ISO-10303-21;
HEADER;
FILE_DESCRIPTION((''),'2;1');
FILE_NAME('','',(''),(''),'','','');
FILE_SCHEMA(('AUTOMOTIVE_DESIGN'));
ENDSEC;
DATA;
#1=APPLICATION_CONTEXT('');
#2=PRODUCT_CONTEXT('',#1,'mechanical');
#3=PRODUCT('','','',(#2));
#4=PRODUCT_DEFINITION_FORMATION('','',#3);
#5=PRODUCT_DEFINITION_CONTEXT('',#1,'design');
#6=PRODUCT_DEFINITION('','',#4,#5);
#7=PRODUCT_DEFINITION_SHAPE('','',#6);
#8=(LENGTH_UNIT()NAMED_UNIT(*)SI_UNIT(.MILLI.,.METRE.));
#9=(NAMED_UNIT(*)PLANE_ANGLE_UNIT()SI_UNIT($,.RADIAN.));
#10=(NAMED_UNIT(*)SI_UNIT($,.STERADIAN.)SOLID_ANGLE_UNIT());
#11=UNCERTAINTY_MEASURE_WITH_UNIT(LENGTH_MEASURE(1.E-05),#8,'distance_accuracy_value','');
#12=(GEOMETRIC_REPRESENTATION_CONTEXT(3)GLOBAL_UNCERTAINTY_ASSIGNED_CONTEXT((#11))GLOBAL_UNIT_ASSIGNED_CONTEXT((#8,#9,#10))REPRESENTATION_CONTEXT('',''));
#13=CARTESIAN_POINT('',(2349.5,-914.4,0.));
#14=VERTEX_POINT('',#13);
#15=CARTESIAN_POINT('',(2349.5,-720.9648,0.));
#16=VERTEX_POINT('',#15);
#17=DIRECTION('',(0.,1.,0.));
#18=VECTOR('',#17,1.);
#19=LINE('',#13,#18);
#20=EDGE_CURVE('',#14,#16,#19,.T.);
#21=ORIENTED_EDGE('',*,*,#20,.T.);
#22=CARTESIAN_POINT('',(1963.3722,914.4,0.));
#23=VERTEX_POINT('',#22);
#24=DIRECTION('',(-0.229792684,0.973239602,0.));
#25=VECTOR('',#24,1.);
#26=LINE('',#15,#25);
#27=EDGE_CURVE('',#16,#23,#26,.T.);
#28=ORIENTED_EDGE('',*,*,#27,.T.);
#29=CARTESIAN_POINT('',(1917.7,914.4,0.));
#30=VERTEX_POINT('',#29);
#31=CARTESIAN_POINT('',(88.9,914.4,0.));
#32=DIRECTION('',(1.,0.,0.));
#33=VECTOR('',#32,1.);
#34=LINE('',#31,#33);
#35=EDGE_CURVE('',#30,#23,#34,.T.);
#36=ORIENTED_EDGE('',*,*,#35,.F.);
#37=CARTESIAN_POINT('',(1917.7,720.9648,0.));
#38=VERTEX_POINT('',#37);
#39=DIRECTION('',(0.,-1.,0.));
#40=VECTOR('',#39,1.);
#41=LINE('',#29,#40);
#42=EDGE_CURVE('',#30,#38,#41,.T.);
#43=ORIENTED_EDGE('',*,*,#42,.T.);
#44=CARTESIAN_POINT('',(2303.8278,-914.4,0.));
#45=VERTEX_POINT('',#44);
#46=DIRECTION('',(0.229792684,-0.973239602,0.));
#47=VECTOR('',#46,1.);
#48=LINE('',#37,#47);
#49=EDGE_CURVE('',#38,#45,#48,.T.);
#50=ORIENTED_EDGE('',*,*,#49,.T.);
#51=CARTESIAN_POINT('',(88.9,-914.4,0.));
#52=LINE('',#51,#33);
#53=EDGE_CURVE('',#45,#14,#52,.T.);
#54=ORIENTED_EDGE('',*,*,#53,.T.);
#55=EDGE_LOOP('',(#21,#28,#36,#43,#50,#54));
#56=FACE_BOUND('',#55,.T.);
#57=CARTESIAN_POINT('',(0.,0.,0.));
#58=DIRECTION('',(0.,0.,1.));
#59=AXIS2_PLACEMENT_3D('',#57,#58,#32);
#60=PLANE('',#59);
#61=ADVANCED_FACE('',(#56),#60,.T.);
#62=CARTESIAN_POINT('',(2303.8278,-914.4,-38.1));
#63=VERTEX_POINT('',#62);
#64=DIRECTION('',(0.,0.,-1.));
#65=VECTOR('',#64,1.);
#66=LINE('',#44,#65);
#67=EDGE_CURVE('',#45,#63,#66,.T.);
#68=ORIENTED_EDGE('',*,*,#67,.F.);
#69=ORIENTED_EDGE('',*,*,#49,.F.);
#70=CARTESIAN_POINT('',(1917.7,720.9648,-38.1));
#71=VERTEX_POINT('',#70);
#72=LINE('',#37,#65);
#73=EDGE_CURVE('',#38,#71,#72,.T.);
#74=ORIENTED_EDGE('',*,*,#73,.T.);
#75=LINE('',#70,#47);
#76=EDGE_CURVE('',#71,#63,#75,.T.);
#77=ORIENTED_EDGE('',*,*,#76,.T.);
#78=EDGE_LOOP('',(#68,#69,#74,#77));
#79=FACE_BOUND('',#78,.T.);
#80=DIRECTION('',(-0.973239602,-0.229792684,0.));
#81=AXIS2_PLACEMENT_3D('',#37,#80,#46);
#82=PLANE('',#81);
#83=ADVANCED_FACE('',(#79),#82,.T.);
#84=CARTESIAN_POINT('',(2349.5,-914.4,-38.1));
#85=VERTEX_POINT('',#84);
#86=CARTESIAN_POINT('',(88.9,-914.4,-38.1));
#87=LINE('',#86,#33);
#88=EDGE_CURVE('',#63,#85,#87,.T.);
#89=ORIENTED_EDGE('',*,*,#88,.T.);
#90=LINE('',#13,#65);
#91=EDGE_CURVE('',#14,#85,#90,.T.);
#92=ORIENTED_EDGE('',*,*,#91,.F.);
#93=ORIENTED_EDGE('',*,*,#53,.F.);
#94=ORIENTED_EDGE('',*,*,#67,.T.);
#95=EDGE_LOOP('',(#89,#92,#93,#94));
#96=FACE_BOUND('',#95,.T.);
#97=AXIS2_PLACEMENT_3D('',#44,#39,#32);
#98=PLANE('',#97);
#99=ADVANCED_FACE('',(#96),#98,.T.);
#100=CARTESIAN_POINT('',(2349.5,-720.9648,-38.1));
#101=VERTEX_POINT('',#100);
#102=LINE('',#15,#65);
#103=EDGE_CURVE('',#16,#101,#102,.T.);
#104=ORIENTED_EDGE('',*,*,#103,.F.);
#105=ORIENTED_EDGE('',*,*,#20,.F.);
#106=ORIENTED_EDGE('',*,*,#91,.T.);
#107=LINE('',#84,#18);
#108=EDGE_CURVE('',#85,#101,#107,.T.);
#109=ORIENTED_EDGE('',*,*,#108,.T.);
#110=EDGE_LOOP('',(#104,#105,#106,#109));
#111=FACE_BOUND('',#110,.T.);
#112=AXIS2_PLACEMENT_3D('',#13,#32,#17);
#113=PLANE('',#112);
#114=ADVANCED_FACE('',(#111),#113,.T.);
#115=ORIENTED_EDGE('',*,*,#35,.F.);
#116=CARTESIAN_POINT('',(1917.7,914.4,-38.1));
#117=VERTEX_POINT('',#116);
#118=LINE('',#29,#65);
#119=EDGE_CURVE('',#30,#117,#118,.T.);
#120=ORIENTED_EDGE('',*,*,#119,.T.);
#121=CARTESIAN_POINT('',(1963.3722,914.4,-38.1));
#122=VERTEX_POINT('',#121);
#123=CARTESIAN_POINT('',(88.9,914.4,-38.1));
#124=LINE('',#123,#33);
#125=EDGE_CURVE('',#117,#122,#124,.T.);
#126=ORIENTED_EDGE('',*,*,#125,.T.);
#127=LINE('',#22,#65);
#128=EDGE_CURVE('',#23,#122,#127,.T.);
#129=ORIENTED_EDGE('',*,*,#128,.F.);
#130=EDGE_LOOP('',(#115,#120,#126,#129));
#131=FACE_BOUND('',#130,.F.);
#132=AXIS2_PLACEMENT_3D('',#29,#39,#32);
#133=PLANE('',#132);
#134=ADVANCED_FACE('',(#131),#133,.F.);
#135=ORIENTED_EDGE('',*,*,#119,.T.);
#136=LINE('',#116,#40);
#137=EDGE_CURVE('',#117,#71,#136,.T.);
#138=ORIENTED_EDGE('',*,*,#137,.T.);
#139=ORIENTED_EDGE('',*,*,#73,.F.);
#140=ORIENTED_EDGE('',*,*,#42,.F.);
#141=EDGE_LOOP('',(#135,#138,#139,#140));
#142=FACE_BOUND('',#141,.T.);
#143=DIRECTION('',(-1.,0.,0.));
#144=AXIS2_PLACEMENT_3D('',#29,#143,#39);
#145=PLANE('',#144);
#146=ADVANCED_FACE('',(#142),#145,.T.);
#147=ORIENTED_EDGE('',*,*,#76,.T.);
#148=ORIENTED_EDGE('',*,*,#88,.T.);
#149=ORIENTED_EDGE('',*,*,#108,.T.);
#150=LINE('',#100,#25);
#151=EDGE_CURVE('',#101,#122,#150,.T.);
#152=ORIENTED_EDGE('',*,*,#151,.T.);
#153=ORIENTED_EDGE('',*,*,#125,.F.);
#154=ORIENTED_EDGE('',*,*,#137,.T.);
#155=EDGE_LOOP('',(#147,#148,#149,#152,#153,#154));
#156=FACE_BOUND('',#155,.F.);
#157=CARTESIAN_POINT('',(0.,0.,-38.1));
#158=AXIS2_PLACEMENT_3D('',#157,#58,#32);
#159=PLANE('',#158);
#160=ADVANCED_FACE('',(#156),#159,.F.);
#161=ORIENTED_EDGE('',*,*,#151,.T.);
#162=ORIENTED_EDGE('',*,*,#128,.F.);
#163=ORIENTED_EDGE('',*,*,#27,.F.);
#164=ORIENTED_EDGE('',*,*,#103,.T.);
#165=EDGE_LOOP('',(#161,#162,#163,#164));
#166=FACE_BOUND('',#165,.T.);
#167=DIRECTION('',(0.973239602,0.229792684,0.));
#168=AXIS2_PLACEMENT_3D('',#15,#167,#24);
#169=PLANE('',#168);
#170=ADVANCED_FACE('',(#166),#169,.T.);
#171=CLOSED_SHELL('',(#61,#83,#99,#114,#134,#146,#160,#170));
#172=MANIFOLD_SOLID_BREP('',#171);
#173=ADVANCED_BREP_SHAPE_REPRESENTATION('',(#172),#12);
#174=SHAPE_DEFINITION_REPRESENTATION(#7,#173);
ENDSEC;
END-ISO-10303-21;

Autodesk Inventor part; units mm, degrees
ref_plane "YZ Plane" through (0, 0, 0) normal (1, 0, 0) x (0, 1, 0)
ref_plane "XZ Plane" through (0, 0, 0) normal (0, 1, 0) x (-1, 0, 0)
ref_plane "XY Plane" through (0, 0, 0) normal (0, 0, 1) x (1, 0, 0)
sketch "Sketch1" plane through (0, 0, 0) normal (0, 0, 1) x (1, 0, 0)
  line L0 (88.9, 914.4) -> (2349.5, 914.4) projected
  line L1 (88.9, -914.4) -> (88.9, 914.4) projected
  line L2 (88.9, -914.4) -> (2349.5, -914.4) projected
  line L3 (520.7, -914.4) -> (520.7, 914.4) projected
  line L4 (2349.5, -914.4) -> (2349.5, 914.4) projected
  line L5 (1917.7, 914.4) -> (1917.7, -914.4) projected
  line L6 (520.7, 743.6248) -> (520.7, -914.4)
  line L7 (88.9, -720.9648) -> (88.9, 914.4)
  line L8 (1917.7, 720.9648) -> (2303.8278, -914.4)
  line L9 (2349.5, -720.9648) -> (1963.3722, 914.4)
  line L10 (88.9, 914.4) -> (520.7, 914.4)
  line L11 (88.9, 914.4) -> (520.7, 914.4)
  line L12 (2303.8278, -914.4) -> (2349.5, -914.4)
  line L13 (2349.5, -720.9648) -> (2349.5, -914.4)
  line L14 (1917.7, 720.9648) -> (1917.7, 914.4)
  line L15 (1917.7, 914.4) -> (1963.3722, 914.4)
  line L16 (520.7, -914.4) -> (88.9, -914.4)
  line L17 (88.9, -914.4) -> (88.9, -720.9648)
  line L18 (88.9, 914.4) -> (520.7, 914.4)
  line L19 (520.7, 738.408) -> (520.7, 914.4)
  point P0 (0, 0)
extrude "Extrusion1" add sketch "Sketch1" against normal blind 38.1 contours L0 L9 L4 L2 L8 L5
properties part number "fside1"
